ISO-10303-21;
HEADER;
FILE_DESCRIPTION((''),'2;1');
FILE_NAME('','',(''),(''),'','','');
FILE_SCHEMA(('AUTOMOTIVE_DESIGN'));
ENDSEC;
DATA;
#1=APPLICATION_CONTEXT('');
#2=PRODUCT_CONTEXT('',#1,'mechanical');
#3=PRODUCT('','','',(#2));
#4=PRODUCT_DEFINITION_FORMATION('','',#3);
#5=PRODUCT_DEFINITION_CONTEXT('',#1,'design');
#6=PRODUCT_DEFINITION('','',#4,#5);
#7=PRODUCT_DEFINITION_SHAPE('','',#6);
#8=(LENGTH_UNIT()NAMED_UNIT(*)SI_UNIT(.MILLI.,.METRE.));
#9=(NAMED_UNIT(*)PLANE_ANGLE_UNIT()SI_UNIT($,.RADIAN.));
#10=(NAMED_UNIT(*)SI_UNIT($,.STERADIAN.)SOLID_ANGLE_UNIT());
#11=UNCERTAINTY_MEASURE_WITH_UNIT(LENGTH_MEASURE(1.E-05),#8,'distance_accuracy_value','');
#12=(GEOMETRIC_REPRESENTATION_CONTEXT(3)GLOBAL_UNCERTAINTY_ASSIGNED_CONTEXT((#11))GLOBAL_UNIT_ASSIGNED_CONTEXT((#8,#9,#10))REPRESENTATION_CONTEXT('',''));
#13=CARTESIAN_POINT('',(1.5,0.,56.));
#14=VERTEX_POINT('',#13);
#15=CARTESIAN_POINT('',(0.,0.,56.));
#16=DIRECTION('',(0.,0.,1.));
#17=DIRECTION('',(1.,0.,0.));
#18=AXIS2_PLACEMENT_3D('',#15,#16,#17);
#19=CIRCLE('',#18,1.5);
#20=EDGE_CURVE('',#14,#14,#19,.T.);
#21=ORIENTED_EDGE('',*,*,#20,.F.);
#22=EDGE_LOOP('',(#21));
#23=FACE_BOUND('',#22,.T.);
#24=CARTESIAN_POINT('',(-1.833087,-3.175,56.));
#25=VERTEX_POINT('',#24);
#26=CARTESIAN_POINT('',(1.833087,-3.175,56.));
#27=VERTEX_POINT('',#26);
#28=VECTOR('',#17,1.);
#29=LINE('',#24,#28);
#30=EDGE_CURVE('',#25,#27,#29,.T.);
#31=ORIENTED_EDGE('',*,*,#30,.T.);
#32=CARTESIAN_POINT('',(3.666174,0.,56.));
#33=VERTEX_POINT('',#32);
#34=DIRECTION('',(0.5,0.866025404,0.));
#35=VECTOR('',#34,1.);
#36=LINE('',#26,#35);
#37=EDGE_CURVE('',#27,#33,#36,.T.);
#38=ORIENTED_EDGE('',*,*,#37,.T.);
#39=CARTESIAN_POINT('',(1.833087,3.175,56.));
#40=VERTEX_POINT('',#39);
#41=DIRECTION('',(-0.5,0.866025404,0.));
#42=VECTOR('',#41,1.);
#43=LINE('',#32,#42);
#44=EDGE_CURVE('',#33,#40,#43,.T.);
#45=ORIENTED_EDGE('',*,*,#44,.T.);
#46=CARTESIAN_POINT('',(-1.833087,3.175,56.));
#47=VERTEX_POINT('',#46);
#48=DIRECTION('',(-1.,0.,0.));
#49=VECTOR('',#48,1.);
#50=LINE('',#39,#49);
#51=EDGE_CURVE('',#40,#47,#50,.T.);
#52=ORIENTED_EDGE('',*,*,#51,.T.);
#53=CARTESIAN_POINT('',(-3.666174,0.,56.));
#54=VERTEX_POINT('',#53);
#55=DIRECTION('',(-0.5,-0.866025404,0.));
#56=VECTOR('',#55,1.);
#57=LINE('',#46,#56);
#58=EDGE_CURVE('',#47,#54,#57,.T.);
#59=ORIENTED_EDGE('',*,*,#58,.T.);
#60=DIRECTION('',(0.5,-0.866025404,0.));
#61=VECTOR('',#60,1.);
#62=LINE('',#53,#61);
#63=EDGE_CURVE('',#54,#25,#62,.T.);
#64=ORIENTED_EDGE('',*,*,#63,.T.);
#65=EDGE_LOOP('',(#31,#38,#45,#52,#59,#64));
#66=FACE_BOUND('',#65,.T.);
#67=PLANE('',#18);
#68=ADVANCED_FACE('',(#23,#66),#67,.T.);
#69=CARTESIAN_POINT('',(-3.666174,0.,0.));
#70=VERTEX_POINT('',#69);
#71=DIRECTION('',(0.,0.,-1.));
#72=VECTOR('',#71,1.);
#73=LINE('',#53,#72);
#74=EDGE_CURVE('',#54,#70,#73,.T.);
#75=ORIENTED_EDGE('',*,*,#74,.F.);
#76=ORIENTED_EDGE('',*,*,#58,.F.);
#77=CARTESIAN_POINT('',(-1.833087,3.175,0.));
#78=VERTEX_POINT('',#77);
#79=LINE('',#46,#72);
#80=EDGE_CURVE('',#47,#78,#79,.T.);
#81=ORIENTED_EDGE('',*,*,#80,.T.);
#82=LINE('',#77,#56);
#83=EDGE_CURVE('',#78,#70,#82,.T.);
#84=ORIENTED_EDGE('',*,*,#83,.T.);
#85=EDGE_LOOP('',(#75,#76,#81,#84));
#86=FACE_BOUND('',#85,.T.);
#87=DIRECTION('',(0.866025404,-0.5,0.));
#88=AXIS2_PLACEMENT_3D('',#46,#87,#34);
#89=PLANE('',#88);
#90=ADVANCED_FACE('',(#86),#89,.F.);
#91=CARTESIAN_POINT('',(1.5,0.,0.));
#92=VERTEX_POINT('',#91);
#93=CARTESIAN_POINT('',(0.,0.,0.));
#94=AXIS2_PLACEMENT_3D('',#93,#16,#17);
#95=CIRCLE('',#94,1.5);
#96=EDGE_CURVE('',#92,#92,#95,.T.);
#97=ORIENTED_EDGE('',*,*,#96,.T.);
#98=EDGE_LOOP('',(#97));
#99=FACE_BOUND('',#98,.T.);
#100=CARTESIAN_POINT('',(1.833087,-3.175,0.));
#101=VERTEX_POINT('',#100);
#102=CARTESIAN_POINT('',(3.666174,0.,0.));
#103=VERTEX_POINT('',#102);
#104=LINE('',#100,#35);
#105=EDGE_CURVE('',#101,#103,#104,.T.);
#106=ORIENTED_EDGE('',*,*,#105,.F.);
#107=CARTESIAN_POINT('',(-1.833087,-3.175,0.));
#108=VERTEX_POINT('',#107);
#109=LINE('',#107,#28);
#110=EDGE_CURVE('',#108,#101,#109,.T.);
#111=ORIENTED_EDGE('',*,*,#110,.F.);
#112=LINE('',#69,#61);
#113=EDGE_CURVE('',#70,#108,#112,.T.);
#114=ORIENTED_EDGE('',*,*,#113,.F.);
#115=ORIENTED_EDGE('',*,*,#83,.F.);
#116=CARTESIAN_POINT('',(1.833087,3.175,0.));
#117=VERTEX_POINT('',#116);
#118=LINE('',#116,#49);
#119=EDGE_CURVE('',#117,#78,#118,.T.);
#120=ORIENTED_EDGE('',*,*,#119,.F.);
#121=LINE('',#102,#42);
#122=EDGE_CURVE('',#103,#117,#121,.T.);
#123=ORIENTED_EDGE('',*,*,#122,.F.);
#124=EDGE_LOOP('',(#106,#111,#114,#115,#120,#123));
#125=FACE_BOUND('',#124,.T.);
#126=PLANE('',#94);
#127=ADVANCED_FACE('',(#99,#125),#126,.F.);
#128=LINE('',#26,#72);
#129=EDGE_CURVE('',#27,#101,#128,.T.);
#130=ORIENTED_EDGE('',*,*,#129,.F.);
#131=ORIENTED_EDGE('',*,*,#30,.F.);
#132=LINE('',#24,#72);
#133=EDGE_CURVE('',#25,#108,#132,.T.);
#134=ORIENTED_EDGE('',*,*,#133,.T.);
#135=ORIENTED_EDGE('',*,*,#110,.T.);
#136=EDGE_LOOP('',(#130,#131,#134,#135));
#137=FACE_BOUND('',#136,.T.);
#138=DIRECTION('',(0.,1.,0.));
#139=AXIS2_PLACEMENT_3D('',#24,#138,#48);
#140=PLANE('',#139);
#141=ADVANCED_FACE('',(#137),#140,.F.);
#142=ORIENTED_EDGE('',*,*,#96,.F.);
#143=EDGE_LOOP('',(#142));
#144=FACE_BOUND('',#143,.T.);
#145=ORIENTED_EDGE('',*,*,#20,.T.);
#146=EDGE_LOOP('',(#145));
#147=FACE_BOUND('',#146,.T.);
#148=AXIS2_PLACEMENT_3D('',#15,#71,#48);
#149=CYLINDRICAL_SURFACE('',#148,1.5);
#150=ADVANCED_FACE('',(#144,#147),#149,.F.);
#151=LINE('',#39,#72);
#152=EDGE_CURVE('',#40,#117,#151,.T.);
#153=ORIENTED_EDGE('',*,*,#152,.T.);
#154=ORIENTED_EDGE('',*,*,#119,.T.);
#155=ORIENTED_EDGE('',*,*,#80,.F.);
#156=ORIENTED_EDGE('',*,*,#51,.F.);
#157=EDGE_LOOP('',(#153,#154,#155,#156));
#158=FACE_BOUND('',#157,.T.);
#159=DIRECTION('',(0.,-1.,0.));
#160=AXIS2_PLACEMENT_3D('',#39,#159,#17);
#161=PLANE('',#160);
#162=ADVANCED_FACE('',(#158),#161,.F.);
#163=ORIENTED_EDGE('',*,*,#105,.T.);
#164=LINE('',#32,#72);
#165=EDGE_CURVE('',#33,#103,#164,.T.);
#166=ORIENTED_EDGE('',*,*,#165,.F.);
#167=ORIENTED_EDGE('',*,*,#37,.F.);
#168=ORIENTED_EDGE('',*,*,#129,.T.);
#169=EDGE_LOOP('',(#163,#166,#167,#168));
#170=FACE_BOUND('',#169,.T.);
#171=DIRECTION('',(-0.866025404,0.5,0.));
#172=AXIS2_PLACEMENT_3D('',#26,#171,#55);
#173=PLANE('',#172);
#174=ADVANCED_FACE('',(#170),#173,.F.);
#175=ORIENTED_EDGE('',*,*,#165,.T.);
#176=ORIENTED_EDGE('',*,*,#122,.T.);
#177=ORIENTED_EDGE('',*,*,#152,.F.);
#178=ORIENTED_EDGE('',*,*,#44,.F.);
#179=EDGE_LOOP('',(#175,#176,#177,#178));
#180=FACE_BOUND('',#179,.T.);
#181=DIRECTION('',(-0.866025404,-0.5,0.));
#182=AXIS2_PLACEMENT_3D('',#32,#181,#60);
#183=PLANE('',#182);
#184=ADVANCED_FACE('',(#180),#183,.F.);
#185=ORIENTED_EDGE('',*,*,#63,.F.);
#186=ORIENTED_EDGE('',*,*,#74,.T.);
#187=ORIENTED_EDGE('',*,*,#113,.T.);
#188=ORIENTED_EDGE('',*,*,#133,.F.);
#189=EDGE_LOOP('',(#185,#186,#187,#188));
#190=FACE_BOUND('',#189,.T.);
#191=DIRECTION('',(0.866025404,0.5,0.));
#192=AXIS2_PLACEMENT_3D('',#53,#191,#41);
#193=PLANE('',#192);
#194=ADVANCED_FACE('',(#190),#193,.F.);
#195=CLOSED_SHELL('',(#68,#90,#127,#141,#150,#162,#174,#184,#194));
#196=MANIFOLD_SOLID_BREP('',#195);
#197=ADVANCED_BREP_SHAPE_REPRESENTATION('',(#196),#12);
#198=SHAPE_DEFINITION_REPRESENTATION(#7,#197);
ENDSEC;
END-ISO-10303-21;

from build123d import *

# Parameters (mm, degrees)
CROQUIS1_R              = 1.5
SALIENTE_EXTRUIR1_DEPTH = 56


with BuildPart() as part:
    # Croquis1 → Saliente-Extruir1 (new body)
    with BuildSketch(Plane.XY):
        Polygon((3.666174209, 0), (1.833087105, 3.175), (-1.833087105, 3.175), (-3.666174209, 0), (-1.833087105, -3.175), (1.833087105, -3.175), align=None)
        Circle(CROQUIS1_R, mode=Mode.SUBTRACT)
    extrude(amount=SALIENTE_EXTRUIR1_DEPTH)


solid = part.part
